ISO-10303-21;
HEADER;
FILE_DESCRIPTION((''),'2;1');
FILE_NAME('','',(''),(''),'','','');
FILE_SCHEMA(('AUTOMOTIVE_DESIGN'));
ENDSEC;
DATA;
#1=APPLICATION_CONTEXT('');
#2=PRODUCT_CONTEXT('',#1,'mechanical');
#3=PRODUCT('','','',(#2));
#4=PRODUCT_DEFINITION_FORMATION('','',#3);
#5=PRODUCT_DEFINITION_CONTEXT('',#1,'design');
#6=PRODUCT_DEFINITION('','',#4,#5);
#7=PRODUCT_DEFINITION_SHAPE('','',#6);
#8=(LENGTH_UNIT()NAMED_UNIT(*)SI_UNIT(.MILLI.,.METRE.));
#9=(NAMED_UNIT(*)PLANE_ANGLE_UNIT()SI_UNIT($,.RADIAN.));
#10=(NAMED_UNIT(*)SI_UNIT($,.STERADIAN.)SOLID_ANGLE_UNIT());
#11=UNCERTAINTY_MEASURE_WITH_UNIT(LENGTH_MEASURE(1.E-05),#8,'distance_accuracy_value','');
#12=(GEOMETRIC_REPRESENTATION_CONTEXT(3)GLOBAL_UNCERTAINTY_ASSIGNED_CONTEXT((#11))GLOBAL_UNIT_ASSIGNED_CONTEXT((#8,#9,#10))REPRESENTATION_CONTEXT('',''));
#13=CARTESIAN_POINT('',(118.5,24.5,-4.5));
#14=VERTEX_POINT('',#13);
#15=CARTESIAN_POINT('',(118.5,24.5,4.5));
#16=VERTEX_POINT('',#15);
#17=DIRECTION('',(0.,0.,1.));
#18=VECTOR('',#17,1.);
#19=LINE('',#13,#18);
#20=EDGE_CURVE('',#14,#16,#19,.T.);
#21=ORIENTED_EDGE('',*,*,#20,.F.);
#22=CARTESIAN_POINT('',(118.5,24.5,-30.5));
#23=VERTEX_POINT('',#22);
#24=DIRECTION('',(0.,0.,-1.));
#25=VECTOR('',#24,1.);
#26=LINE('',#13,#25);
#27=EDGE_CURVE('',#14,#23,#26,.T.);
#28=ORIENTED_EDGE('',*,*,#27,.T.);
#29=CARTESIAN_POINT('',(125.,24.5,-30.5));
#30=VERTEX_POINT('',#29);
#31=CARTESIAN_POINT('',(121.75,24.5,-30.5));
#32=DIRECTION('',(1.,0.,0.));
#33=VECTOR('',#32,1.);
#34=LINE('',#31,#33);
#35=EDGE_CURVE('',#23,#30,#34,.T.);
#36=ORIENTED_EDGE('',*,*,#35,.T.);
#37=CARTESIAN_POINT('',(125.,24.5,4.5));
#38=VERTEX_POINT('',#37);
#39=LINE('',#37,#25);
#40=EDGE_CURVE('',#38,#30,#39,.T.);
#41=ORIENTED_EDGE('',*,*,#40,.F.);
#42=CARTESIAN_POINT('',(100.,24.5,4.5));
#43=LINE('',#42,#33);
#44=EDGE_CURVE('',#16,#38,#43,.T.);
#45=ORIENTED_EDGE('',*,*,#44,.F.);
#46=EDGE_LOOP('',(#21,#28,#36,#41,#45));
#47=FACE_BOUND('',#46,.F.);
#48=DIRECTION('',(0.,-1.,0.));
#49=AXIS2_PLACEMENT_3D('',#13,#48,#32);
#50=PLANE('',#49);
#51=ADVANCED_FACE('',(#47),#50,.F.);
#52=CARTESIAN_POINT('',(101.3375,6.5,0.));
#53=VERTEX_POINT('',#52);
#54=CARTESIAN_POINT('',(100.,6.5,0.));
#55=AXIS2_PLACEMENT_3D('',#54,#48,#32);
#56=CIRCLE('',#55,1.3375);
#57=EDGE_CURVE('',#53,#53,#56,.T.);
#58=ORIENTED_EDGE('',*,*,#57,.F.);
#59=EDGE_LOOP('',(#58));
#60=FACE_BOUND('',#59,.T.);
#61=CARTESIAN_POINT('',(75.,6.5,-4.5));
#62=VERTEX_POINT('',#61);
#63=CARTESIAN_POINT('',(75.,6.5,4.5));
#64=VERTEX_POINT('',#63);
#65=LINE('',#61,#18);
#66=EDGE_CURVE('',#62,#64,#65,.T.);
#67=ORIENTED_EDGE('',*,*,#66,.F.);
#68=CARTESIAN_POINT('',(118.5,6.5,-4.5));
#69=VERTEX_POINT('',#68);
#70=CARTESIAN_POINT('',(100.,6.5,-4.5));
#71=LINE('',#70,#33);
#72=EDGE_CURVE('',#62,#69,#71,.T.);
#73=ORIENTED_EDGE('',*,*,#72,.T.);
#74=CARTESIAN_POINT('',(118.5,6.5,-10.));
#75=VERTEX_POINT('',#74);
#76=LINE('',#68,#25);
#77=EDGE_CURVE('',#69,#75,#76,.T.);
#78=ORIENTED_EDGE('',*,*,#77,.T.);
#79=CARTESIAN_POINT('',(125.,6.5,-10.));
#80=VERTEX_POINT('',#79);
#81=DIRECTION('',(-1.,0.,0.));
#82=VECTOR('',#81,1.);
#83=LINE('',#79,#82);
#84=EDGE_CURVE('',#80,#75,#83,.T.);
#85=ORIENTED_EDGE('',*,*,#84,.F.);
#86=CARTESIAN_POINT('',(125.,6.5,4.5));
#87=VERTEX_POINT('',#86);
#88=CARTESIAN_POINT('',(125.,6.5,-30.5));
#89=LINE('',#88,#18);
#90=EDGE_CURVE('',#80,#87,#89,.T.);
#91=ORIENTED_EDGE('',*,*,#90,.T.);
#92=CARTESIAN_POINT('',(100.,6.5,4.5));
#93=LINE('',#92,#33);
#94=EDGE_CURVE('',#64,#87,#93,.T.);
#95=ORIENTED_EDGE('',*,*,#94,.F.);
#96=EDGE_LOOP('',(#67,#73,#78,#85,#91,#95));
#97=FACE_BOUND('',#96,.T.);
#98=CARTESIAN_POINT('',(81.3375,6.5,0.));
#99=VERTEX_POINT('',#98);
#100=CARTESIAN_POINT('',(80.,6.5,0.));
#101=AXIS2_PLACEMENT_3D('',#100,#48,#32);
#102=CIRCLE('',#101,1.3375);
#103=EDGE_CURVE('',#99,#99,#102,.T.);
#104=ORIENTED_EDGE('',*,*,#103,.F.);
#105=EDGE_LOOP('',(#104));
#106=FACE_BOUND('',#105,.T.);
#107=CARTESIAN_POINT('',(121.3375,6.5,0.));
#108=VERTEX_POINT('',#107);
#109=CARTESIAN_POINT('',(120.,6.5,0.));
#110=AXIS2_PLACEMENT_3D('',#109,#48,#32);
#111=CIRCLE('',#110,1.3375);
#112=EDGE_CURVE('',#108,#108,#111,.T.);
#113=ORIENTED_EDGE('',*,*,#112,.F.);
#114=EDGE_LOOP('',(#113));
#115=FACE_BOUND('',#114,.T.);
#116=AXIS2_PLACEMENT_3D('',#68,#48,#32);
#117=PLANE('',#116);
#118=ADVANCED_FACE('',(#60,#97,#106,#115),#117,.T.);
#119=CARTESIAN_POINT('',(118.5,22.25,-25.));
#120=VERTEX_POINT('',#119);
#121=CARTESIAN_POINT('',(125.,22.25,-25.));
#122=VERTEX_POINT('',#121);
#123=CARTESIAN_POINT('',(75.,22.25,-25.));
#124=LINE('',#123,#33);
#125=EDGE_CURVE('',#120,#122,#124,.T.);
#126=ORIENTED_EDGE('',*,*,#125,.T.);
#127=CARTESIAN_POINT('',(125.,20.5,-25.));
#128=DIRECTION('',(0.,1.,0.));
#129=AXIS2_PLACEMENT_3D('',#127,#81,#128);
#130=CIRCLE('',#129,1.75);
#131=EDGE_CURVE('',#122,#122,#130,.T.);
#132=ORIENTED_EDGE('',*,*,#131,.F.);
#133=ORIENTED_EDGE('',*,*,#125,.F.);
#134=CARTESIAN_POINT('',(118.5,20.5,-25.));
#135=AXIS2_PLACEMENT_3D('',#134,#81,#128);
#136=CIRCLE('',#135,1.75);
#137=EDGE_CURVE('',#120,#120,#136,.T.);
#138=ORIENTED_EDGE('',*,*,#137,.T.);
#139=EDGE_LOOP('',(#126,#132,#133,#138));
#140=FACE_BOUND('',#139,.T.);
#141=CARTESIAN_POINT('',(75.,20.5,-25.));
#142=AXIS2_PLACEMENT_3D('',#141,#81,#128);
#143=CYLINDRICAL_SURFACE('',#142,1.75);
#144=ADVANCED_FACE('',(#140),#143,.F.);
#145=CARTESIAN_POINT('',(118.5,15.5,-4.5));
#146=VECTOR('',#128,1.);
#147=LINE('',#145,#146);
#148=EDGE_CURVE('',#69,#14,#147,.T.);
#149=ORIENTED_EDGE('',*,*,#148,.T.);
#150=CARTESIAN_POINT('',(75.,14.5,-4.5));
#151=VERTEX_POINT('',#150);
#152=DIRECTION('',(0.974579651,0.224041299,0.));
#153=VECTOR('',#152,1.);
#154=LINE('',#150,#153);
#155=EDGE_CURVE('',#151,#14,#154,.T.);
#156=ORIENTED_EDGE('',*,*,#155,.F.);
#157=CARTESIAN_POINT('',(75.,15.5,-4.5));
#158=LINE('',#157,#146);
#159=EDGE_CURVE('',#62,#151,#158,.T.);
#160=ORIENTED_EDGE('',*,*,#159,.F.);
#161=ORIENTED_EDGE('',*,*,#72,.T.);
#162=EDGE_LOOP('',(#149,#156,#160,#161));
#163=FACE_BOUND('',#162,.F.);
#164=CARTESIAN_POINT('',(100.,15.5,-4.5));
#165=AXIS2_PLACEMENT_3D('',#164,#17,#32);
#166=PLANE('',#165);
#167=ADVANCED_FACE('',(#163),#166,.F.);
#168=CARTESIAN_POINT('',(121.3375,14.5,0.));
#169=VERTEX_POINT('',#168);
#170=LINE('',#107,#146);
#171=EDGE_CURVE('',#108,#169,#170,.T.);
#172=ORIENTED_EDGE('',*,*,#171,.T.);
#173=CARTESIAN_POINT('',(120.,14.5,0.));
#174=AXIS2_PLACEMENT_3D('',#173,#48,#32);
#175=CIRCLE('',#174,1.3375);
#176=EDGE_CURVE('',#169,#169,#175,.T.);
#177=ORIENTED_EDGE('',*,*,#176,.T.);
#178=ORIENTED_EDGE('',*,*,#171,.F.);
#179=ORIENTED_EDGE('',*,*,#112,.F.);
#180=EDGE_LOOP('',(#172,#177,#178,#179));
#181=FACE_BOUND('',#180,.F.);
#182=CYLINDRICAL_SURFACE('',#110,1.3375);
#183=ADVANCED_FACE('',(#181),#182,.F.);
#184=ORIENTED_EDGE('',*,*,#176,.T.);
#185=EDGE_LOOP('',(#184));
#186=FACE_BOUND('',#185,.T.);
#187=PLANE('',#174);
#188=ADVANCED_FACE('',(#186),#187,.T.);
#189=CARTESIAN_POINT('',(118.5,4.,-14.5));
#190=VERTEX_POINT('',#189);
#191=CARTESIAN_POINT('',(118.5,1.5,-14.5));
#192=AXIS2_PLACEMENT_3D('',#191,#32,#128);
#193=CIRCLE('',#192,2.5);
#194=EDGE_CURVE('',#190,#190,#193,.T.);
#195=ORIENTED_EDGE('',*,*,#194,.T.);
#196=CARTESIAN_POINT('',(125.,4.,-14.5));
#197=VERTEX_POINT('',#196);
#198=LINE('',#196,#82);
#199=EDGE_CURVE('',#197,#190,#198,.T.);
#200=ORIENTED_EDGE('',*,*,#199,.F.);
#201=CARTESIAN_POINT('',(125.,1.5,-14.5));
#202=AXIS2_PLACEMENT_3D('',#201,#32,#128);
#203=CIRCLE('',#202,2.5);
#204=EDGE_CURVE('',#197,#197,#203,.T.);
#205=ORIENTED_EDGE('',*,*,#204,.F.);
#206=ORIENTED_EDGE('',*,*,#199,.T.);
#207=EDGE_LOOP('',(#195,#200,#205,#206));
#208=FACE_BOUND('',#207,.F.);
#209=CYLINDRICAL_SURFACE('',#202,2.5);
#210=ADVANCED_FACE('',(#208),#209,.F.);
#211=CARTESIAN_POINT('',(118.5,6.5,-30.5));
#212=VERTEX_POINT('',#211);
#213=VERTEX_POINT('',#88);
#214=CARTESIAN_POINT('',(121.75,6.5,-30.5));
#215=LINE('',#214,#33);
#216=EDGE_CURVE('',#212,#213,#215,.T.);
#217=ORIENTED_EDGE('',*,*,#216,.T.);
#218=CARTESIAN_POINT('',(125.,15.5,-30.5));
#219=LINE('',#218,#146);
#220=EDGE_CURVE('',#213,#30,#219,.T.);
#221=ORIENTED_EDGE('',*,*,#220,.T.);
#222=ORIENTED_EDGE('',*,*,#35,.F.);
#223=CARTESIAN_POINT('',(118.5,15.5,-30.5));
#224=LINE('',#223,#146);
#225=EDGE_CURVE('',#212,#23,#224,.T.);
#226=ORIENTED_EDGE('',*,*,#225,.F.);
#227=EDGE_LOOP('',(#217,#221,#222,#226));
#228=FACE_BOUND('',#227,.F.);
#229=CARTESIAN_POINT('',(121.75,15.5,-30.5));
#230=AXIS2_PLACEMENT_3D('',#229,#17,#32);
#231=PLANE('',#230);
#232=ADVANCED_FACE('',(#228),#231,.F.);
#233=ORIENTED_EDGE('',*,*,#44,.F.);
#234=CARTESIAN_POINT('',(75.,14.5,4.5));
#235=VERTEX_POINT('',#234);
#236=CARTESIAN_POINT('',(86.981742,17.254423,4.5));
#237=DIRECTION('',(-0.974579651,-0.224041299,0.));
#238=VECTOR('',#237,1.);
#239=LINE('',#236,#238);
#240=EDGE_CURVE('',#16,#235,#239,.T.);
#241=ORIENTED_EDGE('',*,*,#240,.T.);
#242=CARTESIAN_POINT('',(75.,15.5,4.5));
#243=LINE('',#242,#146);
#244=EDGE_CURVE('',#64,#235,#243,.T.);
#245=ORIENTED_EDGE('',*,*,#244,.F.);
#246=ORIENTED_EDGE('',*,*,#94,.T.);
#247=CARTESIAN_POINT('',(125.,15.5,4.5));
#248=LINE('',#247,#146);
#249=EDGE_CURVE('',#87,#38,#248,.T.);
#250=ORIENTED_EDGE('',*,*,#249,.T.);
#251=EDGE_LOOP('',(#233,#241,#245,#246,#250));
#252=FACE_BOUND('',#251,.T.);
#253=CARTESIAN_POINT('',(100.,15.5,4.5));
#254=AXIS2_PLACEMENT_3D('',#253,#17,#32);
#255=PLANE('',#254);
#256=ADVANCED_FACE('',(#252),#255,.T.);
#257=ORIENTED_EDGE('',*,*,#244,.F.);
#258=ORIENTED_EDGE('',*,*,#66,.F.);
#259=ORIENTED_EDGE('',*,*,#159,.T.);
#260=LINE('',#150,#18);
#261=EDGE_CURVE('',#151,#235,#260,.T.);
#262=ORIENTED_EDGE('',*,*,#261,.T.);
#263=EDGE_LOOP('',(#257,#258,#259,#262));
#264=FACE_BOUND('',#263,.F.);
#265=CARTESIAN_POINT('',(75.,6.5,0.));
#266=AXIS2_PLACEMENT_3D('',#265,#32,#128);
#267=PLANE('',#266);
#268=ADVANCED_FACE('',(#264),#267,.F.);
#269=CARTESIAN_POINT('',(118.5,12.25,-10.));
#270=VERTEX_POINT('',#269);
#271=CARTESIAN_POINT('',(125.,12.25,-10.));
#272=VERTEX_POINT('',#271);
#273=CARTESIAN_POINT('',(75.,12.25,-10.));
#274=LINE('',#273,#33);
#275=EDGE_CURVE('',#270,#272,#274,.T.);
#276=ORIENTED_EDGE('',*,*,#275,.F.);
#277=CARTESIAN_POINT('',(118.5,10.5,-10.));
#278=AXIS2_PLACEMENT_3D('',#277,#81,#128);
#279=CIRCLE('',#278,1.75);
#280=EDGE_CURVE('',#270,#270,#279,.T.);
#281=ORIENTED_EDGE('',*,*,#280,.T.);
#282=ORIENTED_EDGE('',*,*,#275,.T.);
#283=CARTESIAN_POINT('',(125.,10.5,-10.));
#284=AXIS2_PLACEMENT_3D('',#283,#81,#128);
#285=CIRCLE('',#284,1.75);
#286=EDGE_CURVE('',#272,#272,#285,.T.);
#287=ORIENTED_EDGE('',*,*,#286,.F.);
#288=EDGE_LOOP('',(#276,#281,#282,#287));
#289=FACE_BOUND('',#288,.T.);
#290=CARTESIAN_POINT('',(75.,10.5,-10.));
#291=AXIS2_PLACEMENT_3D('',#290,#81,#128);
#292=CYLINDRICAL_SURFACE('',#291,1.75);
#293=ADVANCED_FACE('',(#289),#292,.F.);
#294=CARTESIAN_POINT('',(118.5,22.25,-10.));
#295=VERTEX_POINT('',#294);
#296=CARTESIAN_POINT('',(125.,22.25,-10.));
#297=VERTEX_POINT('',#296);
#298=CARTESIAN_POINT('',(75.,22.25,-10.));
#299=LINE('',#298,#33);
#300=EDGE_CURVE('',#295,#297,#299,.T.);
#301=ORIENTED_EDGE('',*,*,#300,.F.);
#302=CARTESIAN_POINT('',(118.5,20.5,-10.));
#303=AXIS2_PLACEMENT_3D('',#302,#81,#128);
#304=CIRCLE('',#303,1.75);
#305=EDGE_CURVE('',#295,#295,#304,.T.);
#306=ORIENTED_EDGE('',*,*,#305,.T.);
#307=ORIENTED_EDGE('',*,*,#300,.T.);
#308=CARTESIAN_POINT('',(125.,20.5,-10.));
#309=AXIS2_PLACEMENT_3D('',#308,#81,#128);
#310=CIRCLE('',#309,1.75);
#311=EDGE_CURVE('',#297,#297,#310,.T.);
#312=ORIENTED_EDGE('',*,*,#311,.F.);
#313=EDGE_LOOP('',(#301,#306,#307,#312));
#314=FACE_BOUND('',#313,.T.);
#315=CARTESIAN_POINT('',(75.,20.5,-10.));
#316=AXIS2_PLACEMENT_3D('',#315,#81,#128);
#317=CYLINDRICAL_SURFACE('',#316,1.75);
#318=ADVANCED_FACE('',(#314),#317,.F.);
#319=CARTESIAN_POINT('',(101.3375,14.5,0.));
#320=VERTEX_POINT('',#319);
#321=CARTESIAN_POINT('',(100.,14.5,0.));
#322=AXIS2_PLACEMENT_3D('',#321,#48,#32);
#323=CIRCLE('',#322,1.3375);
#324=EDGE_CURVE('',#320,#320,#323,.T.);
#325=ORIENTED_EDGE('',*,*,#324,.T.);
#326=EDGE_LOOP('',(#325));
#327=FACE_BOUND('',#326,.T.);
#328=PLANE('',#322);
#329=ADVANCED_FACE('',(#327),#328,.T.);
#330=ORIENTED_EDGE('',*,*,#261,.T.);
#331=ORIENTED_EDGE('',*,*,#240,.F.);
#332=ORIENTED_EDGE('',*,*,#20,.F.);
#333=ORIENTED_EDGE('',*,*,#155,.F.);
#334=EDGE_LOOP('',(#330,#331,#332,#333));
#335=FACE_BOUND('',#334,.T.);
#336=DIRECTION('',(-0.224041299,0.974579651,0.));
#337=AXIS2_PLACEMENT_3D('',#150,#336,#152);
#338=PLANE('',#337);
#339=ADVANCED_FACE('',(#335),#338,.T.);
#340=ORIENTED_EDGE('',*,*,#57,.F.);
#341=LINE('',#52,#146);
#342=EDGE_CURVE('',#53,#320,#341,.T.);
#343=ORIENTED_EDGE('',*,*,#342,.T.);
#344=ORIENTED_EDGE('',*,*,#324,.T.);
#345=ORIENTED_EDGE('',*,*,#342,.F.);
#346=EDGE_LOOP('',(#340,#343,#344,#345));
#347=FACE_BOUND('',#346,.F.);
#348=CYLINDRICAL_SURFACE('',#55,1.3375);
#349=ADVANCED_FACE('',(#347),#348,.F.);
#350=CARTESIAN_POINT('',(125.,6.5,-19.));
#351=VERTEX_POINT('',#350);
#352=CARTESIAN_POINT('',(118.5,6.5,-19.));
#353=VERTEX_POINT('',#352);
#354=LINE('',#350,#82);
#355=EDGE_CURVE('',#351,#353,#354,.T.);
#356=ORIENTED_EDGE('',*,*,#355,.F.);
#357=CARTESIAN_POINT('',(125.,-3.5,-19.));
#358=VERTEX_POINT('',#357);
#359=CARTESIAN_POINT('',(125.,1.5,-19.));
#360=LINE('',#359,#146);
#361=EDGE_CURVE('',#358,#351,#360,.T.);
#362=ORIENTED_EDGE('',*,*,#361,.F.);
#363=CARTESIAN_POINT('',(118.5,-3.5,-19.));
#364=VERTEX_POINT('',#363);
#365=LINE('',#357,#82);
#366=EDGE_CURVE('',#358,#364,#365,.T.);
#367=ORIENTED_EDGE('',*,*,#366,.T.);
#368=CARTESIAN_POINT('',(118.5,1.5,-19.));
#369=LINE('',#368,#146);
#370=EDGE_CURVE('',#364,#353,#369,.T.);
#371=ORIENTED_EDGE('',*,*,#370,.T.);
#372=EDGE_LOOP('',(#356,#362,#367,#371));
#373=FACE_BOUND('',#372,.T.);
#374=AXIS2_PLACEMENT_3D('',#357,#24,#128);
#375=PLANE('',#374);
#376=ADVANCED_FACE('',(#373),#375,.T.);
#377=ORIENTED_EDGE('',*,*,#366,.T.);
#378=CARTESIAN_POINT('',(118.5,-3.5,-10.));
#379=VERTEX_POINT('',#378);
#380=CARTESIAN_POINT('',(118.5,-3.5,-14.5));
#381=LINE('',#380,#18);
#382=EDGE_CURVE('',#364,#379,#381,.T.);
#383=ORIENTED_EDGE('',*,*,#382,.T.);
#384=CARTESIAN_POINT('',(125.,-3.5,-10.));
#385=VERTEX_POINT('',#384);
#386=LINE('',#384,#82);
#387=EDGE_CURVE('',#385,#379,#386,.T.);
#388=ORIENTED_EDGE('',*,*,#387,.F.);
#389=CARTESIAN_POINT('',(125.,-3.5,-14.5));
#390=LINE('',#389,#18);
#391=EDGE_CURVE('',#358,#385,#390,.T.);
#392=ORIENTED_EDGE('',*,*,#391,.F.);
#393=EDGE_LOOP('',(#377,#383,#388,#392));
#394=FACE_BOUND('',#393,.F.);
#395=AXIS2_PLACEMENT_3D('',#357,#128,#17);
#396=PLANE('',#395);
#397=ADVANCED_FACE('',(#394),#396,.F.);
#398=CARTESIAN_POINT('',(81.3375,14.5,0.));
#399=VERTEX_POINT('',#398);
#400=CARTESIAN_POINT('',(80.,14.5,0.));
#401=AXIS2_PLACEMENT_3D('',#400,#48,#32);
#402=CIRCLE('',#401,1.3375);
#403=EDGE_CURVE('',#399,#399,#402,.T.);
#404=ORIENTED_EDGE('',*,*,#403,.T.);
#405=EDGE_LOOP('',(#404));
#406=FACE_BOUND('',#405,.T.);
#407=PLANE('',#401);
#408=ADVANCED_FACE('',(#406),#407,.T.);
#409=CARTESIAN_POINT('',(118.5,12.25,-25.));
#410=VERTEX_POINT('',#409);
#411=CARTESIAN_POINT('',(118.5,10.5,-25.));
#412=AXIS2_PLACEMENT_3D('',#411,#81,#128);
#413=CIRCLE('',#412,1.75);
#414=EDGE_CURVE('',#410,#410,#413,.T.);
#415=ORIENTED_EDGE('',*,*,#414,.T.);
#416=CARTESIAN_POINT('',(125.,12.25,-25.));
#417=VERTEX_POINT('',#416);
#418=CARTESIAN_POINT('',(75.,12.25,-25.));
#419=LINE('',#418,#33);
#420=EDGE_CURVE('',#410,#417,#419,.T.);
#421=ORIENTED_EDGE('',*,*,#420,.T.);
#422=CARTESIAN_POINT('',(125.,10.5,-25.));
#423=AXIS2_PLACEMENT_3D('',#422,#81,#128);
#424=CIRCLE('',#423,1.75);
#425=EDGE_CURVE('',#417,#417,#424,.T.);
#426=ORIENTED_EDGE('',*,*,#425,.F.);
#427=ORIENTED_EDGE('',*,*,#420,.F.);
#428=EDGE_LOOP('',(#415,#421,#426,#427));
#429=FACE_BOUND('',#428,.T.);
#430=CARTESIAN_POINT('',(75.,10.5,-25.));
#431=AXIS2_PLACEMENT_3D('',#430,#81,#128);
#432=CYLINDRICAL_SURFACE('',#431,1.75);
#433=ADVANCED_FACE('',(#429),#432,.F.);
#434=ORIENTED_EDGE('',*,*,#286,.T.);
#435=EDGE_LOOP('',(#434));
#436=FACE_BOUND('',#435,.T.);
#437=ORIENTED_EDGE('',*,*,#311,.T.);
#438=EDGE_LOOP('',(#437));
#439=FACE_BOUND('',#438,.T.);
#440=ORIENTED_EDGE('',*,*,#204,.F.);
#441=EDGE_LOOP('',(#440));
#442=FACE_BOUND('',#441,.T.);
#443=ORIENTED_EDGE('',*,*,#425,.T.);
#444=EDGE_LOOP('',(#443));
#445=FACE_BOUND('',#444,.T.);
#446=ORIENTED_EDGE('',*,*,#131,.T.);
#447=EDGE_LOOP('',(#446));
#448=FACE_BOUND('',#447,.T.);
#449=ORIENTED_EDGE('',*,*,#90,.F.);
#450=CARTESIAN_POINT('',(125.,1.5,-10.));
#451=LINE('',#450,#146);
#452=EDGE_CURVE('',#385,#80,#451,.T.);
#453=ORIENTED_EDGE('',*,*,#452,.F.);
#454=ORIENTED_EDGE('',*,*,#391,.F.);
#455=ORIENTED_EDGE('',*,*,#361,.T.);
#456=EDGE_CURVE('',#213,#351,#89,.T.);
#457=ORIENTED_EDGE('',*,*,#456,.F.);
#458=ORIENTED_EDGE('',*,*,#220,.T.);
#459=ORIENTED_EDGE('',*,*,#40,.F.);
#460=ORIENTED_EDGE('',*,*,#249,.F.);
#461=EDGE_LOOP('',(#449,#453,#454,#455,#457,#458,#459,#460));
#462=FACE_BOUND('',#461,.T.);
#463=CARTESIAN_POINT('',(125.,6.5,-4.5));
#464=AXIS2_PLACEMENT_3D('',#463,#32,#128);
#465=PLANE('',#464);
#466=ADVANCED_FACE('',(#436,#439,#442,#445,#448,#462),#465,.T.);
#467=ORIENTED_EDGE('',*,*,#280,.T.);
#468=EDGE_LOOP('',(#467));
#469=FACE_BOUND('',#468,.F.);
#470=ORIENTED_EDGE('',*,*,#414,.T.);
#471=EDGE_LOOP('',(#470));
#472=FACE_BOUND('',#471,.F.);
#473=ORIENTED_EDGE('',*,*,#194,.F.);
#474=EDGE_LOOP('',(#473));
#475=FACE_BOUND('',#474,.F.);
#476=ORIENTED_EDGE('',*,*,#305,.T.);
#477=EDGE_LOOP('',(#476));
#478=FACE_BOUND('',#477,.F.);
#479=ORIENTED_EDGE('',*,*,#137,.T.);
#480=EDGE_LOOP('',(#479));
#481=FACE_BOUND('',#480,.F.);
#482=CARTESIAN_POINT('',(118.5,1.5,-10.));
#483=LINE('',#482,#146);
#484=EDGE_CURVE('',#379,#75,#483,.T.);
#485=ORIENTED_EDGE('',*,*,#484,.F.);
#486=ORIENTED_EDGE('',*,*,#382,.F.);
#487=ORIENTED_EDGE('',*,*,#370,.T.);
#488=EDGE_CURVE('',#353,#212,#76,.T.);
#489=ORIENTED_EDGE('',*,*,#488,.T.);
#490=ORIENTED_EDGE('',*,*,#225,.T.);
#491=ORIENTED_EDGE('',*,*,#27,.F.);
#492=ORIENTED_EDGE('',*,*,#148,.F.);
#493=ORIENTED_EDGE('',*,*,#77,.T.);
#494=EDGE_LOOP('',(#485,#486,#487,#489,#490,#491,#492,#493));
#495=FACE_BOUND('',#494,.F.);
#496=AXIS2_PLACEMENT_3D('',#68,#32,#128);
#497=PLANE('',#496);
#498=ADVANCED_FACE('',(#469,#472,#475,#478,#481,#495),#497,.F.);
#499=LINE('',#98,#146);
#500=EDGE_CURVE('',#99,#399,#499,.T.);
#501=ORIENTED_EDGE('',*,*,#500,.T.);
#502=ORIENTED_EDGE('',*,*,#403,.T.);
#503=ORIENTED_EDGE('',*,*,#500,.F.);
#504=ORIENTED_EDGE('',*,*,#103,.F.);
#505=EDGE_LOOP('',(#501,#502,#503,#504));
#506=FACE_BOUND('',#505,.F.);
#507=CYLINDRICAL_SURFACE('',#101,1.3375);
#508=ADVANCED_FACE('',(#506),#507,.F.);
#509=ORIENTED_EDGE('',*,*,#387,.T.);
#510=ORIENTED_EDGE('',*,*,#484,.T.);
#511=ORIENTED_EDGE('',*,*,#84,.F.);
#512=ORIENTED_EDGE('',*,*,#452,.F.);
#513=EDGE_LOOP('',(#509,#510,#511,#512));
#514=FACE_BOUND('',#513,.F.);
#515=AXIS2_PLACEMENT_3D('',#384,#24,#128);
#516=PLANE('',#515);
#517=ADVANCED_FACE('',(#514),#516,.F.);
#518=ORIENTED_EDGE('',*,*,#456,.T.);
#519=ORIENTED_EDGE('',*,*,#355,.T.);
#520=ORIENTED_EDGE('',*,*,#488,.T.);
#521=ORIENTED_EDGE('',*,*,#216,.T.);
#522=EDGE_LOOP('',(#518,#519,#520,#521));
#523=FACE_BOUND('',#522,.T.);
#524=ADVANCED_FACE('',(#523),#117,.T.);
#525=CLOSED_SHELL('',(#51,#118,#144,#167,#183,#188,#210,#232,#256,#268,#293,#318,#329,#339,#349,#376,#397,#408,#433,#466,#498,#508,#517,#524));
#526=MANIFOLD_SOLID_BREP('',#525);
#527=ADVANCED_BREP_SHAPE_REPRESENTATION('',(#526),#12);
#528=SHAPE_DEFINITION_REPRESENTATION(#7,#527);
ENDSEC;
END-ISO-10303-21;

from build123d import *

# Parameters (mm, degrees)
SKETCH018_W          = 50
SKETCH018_H          = 18
PAD011_DEPTH         = 4.5
SKETCH019_R          = 1.3375
POCKET006_DEPTH      = 8
POCKET007_DEPTH      = 9.001
SKETCH021_W          = 6.5
SKETCH021_H          = 18
PAD012_DEPTH         = 26
SKETCH022_R          = 1.75
POCKET008_DEPTH      = 0.001
POCKET008_DEPTH_BACK = 50.001
SKETCH023_R          = 3
POCKET009_DEPTH      = 5
SKETCH024_W          = 10
SKETCH024_H          = 9
SKETCH024_R          = 2.5
PAD013_DEPTH         = 6.5


with BuildPart() as part:
    # Sketch018 → Pad011 (new body, symmetric)
    with BuildSketch(Plane.XY):
        with Locations((25, 9)):
            Rectangle(SKETCH018_W, SKETCH018_H)
    extrude(amount=PAD011_DEPTH, both=True)

    # Sketch019 → Pocket006 (cut)
    with BuildSketch(Plane.XZ):
        with Locations((5, 0)):
            Circle(SKETCH019_R)
        with Locations((25, 0)):
            Circle(SKETCH019_R)
        with Locations((45, 0)):
            Circle(SKETCH019_R)
    extrude(amount=-POCKET006_DEPTH, mode=Mode.SUBTRACT)

    # Sketch020 (on Face4 of Pocket006) → Pocket007 (cut, through all)
    with BuildSketch(Plane(origin=(0, 0, -4.5), x_dir=(1, 0, 0), z_dir=(0, 0, -1))):
        Polygon((0, -8), (43.5, -18), (0, -18), align=None)
    extrude(amount=-POCKET007_DEPTH, mode=Mode.SUBTRACT)

    # Sketch021 (on Face4 of Pocket007) → Pad012 (join)
    with BuildSketch(Plane.XY.offset(-4.5)):
        with Locations((46.75, 9)):
            Rectangle(SKETCH021_W, SKETCH021_H)
    extrude(amount=-PAD012_DEPTH)

    # Sketch022 → Pocket008 (cut, two sides)
    with BuildSketch(Plane.YZ) as pocket008_sk:
        with Locations((4, -25)):
            Circle(SKETCH022_R)
        with Locations((4, -10)):
            Circle(SKETCH022_R)
        with Locations((14, -10)):
            Circle(SKETCH022_R)
        with Locations((14, -25)):
            Circle(SKETCH022_R)
    extrude(amount=-POCKET008_DEPTH, mode=Mode.SUBTRACT)
    extrude(pocket008_sk.sketch, amount=POCKET008_DEPTH_BACK, mode=Mode.SUBTRACT)

    # Sketch023 → Pocket009 (cut, symmetric)
    with BuildSketch(Plane.YZ.offset(32)):
        with Locations((4, -10)):
            Circle(SKETCH023_R)
        with Locations((14, -10)):
            Circle(SKETCH023_R)
        with Locations((14, -25)):
            Circle(SKETCH023_R)
        with Locations((4, -25)):
            Circle(SKETCH023_R)
    extrude(amount=POCKET009_DEPTH, both=True, mode=Mode.SUBTRACT)

    # Sketch024 (on Face7 of Pocket009) → Pad013 (join)
    with BuildSketch(Plane.YZ.offset(50)):
        with Locations((-5, -14.5)):
            Rectangle(SKETCH024_W, SKETCH024_H)
        with Locations((-5, -14.5)):
            Circle(SKETCH024_R, mode=Mode.SUBTRACT)
    extrude(amount=-PAD013_DEPTH)


with BuildPart() as part_1:
    # Body005 placement: moved
    add(part.part.moved(Location((75, 6.5, 0))))


solid = part_1.part
